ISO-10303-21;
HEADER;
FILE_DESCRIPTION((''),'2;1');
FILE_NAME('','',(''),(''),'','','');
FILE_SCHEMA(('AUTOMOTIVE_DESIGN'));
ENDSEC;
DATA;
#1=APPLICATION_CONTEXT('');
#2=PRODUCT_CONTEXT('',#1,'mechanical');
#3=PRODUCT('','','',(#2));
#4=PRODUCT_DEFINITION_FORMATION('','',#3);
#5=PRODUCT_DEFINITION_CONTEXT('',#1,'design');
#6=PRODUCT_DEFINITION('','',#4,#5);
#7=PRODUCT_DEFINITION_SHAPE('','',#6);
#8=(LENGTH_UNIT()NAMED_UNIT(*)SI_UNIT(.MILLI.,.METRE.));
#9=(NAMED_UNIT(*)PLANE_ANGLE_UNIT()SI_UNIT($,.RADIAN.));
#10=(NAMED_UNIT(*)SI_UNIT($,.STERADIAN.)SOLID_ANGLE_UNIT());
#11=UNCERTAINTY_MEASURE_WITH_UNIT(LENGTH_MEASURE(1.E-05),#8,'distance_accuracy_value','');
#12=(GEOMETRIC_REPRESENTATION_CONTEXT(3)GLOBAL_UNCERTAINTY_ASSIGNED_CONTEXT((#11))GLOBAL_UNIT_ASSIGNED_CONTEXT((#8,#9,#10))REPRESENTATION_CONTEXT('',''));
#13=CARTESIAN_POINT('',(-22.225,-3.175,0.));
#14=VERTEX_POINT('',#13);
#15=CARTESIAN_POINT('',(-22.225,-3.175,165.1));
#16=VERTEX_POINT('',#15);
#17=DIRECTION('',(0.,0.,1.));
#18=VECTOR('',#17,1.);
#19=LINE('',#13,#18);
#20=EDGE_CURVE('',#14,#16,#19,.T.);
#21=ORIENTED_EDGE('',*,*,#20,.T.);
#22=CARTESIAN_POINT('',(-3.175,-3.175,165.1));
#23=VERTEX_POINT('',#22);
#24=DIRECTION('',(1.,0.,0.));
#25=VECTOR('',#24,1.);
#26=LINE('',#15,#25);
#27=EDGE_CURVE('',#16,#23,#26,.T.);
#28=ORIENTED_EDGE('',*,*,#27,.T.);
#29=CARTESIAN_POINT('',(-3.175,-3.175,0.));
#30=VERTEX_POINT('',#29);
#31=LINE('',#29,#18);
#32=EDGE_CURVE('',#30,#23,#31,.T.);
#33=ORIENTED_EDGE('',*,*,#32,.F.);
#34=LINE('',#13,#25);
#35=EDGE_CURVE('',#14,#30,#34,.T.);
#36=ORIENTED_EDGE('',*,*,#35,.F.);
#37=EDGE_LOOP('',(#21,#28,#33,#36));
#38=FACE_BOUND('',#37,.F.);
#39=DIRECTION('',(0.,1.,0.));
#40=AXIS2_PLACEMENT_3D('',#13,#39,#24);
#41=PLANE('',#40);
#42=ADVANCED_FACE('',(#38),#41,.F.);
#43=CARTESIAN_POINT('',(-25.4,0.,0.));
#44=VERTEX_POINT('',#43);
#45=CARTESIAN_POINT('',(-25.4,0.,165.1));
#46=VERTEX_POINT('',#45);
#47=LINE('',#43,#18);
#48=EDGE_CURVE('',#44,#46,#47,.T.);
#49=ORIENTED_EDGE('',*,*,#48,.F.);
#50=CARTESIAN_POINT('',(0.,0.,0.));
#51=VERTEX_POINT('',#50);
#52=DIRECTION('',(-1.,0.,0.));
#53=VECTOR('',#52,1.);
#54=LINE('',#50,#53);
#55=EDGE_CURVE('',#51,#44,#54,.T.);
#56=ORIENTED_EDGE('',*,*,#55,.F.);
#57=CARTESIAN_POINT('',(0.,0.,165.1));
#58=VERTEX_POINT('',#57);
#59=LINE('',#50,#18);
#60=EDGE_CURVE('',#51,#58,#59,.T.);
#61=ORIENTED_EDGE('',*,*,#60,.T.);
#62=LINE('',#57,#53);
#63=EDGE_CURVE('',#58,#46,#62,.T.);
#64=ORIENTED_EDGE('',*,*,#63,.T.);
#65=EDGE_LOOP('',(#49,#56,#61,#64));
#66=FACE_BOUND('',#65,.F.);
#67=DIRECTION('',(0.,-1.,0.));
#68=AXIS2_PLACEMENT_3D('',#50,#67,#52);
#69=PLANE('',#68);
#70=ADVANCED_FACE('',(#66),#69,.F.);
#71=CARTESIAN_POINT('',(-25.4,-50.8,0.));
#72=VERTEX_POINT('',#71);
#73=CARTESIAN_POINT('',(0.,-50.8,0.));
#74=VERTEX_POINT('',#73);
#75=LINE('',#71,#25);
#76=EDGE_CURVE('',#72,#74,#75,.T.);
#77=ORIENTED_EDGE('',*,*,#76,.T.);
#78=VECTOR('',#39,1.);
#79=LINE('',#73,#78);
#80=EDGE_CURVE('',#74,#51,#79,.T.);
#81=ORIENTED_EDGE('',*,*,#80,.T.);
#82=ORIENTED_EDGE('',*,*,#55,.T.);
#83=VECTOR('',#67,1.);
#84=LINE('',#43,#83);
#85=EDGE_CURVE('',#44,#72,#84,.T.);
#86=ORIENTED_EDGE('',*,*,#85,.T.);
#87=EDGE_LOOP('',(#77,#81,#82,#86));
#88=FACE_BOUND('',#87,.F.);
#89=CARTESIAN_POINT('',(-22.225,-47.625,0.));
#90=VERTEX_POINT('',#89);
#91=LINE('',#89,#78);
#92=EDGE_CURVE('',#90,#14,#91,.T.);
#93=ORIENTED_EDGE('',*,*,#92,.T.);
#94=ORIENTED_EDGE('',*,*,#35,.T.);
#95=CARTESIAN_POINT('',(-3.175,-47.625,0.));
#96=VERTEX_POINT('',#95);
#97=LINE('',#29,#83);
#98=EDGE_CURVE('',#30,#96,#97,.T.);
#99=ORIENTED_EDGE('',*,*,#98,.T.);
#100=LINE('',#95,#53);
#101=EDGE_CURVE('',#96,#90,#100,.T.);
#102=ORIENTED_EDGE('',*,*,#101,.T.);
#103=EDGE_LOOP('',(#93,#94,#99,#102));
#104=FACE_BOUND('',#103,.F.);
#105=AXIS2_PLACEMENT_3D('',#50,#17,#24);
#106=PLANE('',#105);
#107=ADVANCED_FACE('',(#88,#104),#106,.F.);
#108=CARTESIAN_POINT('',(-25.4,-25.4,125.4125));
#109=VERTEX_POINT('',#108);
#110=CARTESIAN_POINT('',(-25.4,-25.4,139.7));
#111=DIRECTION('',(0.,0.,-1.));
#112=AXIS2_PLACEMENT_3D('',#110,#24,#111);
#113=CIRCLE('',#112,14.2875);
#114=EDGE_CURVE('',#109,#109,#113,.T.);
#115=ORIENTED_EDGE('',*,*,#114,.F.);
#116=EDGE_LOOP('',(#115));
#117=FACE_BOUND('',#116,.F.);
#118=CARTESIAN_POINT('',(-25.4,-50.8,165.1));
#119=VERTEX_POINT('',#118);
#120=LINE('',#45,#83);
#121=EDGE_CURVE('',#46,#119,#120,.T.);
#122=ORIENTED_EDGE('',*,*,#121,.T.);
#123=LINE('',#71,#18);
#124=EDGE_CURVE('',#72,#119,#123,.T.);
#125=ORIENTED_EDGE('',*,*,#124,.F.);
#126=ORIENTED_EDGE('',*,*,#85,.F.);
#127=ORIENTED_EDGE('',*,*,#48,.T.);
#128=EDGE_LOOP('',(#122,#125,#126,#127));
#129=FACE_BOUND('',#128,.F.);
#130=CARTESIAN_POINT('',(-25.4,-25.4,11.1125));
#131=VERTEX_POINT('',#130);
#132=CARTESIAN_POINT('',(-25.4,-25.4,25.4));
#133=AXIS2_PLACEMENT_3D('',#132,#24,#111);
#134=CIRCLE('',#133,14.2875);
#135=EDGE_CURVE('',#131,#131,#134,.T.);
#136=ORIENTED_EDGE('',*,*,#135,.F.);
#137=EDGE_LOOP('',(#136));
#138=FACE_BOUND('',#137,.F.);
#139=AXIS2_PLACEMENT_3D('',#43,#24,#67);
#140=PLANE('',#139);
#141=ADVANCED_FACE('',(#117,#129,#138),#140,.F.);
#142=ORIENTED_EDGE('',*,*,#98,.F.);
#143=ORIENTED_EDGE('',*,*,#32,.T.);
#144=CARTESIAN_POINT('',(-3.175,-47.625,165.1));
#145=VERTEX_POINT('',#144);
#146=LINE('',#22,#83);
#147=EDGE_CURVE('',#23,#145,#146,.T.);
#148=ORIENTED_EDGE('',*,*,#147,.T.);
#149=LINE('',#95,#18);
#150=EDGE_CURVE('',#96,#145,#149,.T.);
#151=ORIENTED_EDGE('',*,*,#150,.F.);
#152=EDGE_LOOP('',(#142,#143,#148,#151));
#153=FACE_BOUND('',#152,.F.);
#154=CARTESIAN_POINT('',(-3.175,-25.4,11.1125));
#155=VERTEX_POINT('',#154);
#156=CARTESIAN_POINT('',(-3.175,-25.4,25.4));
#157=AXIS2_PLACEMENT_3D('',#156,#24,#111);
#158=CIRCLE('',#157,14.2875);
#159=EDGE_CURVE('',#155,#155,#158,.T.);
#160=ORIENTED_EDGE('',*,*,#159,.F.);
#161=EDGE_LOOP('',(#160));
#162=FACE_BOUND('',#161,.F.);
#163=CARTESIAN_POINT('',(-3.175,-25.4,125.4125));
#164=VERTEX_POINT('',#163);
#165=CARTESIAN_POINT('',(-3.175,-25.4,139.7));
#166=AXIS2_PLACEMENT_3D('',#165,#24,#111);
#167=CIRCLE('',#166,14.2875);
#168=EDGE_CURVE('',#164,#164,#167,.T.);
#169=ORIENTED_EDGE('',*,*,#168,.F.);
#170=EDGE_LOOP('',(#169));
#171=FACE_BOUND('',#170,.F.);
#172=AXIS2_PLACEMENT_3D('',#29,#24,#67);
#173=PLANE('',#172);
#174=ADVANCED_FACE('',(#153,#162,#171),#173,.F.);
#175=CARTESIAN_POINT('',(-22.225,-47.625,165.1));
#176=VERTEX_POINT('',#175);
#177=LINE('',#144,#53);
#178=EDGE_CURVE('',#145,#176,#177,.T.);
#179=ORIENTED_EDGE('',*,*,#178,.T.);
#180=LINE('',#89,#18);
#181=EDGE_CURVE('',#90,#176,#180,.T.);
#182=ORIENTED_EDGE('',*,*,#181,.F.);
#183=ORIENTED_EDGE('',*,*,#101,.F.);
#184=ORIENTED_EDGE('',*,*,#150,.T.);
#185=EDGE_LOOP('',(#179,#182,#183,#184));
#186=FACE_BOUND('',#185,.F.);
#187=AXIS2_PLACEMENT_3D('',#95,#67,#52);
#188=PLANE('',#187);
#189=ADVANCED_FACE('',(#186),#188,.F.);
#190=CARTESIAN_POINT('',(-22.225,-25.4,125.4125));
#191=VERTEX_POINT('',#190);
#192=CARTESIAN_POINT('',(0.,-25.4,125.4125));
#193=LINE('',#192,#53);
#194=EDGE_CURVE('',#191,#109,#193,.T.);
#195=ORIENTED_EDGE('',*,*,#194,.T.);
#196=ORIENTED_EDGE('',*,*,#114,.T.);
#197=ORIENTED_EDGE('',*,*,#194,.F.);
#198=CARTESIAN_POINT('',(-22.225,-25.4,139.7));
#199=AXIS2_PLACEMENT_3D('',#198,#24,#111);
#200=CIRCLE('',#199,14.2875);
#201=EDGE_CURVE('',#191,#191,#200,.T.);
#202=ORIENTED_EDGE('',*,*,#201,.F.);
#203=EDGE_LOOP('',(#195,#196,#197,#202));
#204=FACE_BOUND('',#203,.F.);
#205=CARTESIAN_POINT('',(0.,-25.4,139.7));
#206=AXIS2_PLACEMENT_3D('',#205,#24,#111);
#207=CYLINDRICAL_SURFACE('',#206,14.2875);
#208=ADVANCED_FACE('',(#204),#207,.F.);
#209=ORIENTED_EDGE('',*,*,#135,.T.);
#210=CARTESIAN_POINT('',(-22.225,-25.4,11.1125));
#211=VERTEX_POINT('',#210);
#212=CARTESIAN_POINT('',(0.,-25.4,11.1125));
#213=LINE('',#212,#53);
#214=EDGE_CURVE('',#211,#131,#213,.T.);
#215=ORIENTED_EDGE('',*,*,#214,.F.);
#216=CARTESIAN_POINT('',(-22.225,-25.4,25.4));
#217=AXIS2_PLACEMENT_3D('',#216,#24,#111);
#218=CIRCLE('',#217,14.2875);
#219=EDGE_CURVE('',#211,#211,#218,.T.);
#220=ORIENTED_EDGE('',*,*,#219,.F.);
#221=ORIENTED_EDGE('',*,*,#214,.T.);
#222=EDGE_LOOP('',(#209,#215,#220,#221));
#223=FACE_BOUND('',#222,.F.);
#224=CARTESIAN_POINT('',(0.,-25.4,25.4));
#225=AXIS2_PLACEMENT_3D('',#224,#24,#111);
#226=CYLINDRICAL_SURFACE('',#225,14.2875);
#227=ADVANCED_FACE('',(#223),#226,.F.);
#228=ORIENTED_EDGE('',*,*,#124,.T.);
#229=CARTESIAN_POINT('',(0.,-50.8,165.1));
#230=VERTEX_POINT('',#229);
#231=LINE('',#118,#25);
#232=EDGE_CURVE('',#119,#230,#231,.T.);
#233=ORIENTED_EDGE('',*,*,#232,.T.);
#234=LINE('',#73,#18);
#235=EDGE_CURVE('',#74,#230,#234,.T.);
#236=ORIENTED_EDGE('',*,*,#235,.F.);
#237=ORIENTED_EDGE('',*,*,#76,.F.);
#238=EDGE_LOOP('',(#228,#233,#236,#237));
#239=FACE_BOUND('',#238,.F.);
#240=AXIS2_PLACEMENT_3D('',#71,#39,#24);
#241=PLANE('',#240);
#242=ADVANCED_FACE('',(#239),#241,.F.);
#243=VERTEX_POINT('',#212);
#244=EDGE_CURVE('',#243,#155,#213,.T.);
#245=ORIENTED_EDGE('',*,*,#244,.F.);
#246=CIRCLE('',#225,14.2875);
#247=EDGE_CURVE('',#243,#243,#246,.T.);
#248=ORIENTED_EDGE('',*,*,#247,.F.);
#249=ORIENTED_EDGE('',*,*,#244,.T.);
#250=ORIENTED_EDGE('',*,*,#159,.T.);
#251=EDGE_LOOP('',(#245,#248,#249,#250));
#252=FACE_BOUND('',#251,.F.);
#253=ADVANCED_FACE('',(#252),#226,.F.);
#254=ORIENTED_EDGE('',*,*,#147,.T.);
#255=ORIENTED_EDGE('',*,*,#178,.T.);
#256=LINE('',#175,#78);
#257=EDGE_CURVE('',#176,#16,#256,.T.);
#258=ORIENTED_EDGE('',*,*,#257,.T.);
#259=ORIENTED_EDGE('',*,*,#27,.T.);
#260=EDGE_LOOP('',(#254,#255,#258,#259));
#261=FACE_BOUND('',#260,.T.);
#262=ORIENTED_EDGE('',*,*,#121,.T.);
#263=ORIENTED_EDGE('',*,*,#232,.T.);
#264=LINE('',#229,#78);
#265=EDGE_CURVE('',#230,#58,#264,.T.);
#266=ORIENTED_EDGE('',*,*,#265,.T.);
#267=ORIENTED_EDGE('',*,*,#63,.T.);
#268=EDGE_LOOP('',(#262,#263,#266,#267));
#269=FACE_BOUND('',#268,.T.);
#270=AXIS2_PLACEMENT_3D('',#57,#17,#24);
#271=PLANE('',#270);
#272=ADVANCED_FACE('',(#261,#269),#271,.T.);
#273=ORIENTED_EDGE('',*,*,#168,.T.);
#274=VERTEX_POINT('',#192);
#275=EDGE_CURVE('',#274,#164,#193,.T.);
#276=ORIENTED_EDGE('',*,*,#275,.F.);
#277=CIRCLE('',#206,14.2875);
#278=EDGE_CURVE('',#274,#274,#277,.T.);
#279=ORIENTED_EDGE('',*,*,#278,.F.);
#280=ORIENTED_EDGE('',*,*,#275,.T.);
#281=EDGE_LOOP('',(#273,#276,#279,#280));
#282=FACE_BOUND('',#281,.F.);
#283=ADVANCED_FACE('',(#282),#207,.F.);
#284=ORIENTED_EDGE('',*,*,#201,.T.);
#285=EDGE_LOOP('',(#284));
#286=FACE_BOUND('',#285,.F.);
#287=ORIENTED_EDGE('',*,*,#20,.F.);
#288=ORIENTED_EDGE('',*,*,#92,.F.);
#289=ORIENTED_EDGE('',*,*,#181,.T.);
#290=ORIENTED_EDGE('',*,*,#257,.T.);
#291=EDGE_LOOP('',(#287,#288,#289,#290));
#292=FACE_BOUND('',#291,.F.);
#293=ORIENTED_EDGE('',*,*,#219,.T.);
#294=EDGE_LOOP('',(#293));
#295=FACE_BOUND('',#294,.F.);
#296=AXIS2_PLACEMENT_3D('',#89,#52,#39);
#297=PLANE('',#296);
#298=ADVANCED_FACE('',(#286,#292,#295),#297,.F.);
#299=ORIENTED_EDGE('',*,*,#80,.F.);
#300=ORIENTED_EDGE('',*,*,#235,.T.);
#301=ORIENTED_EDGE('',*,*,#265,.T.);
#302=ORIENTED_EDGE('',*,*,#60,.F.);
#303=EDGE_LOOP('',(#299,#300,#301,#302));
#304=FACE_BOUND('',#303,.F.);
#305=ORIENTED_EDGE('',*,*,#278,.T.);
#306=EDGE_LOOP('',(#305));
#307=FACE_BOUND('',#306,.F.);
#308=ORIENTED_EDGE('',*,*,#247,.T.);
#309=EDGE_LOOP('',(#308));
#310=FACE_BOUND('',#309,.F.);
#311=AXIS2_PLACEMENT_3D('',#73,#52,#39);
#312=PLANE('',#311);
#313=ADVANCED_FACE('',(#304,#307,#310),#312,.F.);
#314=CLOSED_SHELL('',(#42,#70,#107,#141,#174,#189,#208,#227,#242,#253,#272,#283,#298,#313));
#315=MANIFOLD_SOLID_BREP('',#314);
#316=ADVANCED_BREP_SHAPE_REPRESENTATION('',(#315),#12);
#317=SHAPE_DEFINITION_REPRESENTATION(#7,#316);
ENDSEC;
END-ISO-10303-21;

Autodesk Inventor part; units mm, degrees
ref_plane "YZ Plane" through (0, 0, 0) normal (1, 0, 0) x (0, 1, 0)
ref_plane "XZ Plane" through (0, 0, 0) normal (0, 1, 0) x (-1, 0, 0)
ref_plane "XY Plane" through (0, 0, 0) normal (0, 0, 1) x (1, 0, 0)
sketch "Sketch1" plane through (0, 0, 0) normal (0, 0, 1) x (1, 0, 0)
  line L0 (0, 0) -> (-25.4, 0)
  line L1 (-25.4, 0) -> (-25.4, -50.8)
  line L2 (-25.4, -50.8) -> (0, -50.8)
  line L3 (0, -50.8) -> (0, 0)
  line L4 (-22.225, -3.175) -> (-3.175, -3.175)
  line L5 (-3.175, -3.175) -> (-3.175, -47.625)
  line L6 (-3.175, -47.625) -> (-22.225, -47.625)
  line L7 (-22.225, -47.625) -> (-22.225, -3.175)
  dimension "d0" = 25.4
  dimension "d1" = 50.8
  dimension "d2" = 3.175
extrude "Extrusion1" add sketch "Sketch1" along normal blind 165.1
sketch "Sketch2" plane through (0, -50.8, 0) normal (1, 0, 0) x (0, 0, -1)
  circle A0 centre (-25.4, 25.4) radius 14.2875
  line L0 (0, 0) -> (0, 50.8) projected
  line L1 (0, 50.8) -> (-165.1, 50.8) projected
  circle A1 centre (-139.7, 25.4) radius 14.2875
  line L2 (0, 0) -> (-165.1, 0) projected
  line L3 (-165.1, 0) -> (-165.1, 50.8) projected
  dimension "d5" = 28.575
  dimension "d6" = 25.4
  dimension "d7" = 25.4
  dimension "d8" = 28.575
  dimension "d9" = 25.4
  dimension "d10" = 25.4
extrude "Extrusion2" cut sketch "Sketch2" against normal blind 177.8 contours A0 | A1
properties part number "intake srms"
